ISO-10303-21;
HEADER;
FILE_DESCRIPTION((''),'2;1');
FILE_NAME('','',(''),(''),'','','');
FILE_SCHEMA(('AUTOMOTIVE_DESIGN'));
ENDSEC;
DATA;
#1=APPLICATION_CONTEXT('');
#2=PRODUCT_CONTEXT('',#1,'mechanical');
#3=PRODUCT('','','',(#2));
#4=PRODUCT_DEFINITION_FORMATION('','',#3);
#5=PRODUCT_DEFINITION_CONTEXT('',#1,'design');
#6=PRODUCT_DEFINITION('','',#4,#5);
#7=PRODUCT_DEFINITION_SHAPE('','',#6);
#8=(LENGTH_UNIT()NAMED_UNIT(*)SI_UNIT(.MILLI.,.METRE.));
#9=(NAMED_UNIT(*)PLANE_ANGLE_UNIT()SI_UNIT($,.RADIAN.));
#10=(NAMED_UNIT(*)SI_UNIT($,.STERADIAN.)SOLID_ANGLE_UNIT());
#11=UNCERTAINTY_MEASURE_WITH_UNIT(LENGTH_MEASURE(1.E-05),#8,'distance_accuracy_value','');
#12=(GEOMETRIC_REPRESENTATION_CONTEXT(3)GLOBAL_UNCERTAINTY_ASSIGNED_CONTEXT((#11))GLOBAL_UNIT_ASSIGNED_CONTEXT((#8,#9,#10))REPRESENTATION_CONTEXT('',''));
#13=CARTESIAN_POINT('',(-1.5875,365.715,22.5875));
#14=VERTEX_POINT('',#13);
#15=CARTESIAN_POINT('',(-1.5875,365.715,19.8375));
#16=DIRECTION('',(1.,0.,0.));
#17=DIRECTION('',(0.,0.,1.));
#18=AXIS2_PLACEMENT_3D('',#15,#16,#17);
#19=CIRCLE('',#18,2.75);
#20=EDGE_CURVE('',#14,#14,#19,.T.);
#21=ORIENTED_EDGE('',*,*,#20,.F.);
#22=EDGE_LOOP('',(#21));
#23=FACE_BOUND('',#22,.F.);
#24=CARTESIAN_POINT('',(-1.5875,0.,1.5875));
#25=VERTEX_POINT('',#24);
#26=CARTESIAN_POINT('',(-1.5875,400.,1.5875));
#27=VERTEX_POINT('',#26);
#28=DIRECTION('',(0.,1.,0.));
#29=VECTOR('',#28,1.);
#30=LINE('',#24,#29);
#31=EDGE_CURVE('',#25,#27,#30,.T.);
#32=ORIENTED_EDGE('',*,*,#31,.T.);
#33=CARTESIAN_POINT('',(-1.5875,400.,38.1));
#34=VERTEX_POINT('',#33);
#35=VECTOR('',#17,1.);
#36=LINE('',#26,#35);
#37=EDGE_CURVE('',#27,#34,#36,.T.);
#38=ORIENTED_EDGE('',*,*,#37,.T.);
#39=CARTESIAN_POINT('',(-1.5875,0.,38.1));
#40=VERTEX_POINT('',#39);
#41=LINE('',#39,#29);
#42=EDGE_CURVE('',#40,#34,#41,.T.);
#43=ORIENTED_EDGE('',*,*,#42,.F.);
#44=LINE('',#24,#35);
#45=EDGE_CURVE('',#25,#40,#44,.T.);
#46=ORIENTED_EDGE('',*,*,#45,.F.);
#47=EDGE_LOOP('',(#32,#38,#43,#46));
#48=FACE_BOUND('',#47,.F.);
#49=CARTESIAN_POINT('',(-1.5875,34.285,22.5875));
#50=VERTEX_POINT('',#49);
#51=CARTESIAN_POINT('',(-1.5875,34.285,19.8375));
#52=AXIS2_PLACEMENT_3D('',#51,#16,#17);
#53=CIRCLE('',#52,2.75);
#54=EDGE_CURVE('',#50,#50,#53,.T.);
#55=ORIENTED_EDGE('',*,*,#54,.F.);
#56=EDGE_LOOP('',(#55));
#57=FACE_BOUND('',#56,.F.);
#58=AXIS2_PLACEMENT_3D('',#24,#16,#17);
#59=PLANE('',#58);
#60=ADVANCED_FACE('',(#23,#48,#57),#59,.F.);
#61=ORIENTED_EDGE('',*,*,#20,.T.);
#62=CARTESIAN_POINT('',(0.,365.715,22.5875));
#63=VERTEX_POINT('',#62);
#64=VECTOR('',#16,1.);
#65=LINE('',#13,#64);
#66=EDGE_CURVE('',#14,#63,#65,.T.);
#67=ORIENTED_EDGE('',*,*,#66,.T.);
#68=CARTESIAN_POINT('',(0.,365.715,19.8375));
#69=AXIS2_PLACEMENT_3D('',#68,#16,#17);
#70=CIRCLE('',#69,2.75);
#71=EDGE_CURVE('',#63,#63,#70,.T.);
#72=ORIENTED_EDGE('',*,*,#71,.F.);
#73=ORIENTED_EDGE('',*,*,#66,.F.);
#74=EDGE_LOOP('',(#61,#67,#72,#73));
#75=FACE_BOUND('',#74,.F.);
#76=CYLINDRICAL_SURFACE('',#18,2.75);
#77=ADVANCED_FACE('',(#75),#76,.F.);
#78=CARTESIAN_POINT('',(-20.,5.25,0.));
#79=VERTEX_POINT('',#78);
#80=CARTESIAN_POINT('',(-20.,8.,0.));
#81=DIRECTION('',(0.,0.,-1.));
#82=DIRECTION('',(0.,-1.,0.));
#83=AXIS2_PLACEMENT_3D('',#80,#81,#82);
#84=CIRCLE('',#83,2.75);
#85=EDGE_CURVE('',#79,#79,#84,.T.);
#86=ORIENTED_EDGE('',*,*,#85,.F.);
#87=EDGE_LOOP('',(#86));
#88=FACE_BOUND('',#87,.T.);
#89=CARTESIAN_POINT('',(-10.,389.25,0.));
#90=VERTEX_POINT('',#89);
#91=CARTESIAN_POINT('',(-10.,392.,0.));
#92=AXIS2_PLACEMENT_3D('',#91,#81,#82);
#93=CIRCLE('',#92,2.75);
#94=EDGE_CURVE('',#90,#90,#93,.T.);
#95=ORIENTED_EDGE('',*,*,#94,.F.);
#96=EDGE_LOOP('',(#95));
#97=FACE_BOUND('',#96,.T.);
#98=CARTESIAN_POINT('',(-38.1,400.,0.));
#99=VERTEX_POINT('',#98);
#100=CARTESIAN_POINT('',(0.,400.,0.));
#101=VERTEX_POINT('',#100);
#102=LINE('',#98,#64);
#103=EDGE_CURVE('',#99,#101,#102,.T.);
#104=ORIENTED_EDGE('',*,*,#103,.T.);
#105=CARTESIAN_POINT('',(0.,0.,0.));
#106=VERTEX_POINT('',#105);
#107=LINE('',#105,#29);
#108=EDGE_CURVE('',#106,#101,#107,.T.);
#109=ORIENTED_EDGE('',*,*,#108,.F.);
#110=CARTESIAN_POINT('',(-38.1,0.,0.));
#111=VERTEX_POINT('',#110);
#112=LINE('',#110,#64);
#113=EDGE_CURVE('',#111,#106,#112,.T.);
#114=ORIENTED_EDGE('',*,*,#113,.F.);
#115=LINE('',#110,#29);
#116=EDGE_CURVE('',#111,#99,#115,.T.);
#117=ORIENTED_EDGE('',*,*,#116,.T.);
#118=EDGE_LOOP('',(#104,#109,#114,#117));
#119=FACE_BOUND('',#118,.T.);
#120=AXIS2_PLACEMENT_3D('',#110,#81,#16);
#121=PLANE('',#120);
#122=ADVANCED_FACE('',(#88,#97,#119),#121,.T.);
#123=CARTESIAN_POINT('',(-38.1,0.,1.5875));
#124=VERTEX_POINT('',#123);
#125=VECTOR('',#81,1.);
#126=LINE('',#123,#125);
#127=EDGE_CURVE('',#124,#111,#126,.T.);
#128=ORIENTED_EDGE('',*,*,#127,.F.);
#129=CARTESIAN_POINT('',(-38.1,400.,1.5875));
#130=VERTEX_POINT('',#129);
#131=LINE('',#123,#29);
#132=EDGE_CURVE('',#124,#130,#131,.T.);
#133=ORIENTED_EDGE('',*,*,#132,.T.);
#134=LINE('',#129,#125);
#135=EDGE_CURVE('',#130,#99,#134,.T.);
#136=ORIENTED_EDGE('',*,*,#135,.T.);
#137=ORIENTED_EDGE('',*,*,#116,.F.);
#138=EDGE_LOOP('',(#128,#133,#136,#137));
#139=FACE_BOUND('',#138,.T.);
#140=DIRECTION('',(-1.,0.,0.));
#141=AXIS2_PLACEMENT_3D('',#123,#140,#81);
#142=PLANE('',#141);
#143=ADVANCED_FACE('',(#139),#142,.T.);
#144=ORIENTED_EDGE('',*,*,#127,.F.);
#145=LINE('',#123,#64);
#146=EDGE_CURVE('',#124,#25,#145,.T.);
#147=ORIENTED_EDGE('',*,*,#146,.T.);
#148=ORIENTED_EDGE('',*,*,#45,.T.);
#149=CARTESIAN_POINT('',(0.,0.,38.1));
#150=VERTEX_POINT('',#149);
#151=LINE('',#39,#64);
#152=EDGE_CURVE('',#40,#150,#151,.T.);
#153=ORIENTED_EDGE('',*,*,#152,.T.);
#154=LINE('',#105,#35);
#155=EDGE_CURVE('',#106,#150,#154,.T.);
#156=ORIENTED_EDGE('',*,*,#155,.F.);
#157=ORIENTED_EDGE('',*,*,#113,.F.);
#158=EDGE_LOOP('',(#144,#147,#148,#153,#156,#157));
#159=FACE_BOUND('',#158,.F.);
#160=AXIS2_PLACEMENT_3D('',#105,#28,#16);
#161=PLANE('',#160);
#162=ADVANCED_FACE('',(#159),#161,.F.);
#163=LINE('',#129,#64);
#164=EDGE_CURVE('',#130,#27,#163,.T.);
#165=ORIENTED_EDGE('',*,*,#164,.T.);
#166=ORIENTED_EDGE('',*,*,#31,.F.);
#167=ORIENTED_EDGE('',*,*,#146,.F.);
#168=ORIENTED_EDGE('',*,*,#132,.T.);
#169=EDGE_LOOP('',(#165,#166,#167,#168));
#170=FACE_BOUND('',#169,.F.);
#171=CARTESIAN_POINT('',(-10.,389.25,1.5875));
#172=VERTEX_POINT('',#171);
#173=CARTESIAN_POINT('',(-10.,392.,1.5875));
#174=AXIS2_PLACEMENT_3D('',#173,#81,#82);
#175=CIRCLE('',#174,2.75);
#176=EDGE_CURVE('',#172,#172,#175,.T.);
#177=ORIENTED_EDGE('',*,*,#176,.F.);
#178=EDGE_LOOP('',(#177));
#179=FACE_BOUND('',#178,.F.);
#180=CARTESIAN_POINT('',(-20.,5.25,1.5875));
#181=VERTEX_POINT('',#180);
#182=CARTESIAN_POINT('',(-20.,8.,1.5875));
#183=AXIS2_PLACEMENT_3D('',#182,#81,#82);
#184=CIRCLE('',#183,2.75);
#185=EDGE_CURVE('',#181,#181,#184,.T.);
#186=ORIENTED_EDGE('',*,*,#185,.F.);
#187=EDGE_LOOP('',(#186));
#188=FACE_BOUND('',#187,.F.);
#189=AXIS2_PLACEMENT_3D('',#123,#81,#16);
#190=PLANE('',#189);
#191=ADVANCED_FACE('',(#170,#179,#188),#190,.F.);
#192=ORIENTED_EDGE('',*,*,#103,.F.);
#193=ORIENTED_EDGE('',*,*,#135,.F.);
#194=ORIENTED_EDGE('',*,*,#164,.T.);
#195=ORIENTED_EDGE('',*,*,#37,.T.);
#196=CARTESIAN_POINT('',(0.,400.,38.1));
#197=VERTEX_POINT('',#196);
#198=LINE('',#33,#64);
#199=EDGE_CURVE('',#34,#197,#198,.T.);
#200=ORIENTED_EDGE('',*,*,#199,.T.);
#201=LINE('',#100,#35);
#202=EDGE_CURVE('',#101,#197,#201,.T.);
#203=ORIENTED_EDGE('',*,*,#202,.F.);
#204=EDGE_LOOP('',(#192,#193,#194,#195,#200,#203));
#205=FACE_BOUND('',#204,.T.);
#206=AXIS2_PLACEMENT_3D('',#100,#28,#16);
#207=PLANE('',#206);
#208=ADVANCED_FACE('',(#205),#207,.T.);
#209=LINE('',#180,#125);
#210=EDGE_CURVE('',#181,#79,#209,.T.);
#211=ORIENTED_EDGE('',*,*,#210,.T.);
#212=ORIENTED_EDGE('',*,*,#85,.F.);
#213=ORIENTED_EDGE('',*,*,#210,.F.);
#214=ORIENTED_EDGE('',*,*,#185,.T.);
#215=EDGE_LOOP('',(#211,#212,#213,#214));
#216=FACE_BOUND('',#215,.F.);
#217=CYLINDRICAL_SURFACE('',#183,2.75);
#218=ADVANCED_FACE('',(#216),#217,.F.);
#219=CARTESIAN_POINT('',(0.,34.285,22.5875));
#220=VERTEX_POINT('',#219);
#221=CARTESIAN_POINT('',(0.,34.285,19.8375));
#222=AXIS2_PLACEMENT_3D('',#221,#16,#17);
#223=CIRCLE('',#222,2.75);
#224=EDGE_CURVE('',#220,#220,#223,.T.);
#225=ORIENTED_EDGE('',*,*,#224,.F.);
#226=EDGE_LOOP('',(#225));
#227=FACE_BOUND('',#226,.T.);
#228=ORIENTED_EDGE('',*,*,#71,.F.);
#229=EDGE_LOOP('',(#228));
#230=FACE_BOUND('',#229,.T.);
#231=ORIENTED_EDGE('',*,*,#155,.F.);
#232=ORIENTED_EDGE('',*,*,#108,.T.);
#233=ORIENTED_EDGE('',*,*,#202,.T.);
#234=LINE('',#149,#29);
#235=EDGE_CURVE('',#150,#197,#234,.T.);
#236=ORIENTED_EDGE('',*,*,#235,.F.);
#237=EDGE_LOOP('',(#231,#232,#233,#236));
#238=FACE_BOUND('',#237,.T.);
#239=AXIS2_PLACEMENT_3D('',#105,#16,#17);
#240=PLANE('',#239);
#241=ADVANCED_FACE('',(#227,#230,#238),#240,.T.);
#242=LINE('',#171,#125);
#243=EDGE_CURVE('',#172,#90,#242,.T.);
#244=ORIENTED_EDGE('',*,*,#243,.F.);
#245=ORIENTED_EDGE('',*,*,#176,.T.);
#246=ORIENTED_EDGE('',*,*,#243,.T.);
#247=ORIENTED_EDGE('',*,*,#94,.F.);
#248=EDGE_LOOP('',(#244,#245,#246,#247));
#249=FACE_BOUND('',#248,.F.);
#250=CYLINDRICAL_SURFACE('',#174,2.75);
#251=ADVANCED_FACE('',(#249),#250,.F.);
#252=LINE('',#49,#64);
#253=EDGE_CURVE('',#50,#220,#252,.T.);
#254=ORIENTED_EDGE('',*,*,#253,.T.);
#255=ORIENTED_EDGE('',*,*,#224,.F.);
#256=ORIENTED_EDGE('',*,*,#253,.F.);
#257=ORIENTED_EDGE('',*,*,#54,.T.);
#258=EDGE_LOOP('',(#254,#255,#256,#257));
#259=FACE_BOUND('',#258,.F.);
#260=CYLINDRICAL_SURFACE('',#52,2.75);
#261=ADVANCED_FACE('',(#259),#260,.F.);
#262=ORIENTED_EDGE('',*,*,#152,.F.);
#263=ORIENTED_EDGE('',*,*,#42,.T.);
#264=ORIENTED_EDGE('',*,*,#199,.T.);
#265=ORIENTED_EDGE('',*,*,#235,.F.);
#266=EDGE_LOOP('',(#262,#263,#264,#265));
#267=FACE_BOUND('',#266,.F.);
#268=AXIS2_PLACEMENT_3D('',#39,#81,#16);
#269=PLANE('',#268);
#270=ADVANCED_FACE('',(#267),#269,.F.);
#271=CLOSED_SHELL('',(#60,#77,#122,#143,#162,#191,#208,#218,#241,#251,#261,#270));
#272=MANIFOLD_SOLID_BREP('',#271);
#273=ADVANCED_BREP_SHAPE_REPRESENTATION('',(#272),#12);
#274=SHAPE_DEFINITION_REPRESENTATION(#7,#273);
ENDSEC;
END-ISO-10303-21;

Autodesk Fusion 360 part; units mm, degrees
sketch "Sketch1" plane through (0, 0, 0) normal (0, 1, 0) x (1, 0, 0)
  line L0 (-38.1, 0) -> (0, 0)
  line L1 (0, 0) -> (0, -38.1)
  line L2 (-38.1, -1.5875) -> (-1.5875, -1.5875)
  line L3 (-1.5875, -1.5875) -> (-1.5875, -38.1)
  line L4 (-1.5875, -38.1) -> (0, -38.1)
  line L5 (-38.1, -1.5875) -> (-38.1, 0)
  dimension "d5" = 38.1
  dimension "d6" = 1.5875
extrude "Extrude1" add sketch "Sketch1" along normal blind 400
sketch "Sketch2" plane through (0, 0, 1.5875) normal (0, 0, 1) x (-1, 0, 0)
  line L0 (38.1, 0) -> (1.5875, 0)
  line L1 (1.5875, 0) -> (1.5875, -400)
  line L2 (1.5875, -400) -> (38.1, -400)
  line L3 (38.1, -400) -> (38.1, 0)
  circle A0 centre (10, -392) radius 3.6564
  line L4 (0, 0) -> (0, -400)
  circle A1 centre (20, -8) radius 4.5897
  dimension "d7" = 8
  dimension "d9" = 10
  dimension "d10" = 8
  dimension "d11" = 20
hole "Hole1" at (-20, 8, 1.5875) at (-10, 392, 1.5875) direction (0, 0, -1) diameter 5.5 depth 7 tip angle 118
sketch "Sketch3" plane through (-1.5875, 0, 0) normal (-1, 0, 0) x (0, -1, 0)
  line L0 (0, 1.5875) -> (0, 38.1)
  line L1 (0, 38.1) -> (-400, 38.1)
  line L2 (-400, 38.1) -> (-400, 1.5875)
  line L3 (-400, 1.5875) -> (0, 1.5875)
  circle A0 centre (-365.715, 19.8375) radius 7.0711
  circle A1 centre (-34.285, 19.8375) radius 7.0711
  dimension "d15" = 34.285
  dimension "d16" = 34.285
  dimension "d17" = 18.25
hole "Hole2" at (-1.5875, 34.285, 19.8375) at (-1.5875, 365.715, 19.8375) direction (1, 0, 0) diameter 5.5 depth 7 tip angle 118
equation "d15 = 23.175 mm + 11.11 mm"
